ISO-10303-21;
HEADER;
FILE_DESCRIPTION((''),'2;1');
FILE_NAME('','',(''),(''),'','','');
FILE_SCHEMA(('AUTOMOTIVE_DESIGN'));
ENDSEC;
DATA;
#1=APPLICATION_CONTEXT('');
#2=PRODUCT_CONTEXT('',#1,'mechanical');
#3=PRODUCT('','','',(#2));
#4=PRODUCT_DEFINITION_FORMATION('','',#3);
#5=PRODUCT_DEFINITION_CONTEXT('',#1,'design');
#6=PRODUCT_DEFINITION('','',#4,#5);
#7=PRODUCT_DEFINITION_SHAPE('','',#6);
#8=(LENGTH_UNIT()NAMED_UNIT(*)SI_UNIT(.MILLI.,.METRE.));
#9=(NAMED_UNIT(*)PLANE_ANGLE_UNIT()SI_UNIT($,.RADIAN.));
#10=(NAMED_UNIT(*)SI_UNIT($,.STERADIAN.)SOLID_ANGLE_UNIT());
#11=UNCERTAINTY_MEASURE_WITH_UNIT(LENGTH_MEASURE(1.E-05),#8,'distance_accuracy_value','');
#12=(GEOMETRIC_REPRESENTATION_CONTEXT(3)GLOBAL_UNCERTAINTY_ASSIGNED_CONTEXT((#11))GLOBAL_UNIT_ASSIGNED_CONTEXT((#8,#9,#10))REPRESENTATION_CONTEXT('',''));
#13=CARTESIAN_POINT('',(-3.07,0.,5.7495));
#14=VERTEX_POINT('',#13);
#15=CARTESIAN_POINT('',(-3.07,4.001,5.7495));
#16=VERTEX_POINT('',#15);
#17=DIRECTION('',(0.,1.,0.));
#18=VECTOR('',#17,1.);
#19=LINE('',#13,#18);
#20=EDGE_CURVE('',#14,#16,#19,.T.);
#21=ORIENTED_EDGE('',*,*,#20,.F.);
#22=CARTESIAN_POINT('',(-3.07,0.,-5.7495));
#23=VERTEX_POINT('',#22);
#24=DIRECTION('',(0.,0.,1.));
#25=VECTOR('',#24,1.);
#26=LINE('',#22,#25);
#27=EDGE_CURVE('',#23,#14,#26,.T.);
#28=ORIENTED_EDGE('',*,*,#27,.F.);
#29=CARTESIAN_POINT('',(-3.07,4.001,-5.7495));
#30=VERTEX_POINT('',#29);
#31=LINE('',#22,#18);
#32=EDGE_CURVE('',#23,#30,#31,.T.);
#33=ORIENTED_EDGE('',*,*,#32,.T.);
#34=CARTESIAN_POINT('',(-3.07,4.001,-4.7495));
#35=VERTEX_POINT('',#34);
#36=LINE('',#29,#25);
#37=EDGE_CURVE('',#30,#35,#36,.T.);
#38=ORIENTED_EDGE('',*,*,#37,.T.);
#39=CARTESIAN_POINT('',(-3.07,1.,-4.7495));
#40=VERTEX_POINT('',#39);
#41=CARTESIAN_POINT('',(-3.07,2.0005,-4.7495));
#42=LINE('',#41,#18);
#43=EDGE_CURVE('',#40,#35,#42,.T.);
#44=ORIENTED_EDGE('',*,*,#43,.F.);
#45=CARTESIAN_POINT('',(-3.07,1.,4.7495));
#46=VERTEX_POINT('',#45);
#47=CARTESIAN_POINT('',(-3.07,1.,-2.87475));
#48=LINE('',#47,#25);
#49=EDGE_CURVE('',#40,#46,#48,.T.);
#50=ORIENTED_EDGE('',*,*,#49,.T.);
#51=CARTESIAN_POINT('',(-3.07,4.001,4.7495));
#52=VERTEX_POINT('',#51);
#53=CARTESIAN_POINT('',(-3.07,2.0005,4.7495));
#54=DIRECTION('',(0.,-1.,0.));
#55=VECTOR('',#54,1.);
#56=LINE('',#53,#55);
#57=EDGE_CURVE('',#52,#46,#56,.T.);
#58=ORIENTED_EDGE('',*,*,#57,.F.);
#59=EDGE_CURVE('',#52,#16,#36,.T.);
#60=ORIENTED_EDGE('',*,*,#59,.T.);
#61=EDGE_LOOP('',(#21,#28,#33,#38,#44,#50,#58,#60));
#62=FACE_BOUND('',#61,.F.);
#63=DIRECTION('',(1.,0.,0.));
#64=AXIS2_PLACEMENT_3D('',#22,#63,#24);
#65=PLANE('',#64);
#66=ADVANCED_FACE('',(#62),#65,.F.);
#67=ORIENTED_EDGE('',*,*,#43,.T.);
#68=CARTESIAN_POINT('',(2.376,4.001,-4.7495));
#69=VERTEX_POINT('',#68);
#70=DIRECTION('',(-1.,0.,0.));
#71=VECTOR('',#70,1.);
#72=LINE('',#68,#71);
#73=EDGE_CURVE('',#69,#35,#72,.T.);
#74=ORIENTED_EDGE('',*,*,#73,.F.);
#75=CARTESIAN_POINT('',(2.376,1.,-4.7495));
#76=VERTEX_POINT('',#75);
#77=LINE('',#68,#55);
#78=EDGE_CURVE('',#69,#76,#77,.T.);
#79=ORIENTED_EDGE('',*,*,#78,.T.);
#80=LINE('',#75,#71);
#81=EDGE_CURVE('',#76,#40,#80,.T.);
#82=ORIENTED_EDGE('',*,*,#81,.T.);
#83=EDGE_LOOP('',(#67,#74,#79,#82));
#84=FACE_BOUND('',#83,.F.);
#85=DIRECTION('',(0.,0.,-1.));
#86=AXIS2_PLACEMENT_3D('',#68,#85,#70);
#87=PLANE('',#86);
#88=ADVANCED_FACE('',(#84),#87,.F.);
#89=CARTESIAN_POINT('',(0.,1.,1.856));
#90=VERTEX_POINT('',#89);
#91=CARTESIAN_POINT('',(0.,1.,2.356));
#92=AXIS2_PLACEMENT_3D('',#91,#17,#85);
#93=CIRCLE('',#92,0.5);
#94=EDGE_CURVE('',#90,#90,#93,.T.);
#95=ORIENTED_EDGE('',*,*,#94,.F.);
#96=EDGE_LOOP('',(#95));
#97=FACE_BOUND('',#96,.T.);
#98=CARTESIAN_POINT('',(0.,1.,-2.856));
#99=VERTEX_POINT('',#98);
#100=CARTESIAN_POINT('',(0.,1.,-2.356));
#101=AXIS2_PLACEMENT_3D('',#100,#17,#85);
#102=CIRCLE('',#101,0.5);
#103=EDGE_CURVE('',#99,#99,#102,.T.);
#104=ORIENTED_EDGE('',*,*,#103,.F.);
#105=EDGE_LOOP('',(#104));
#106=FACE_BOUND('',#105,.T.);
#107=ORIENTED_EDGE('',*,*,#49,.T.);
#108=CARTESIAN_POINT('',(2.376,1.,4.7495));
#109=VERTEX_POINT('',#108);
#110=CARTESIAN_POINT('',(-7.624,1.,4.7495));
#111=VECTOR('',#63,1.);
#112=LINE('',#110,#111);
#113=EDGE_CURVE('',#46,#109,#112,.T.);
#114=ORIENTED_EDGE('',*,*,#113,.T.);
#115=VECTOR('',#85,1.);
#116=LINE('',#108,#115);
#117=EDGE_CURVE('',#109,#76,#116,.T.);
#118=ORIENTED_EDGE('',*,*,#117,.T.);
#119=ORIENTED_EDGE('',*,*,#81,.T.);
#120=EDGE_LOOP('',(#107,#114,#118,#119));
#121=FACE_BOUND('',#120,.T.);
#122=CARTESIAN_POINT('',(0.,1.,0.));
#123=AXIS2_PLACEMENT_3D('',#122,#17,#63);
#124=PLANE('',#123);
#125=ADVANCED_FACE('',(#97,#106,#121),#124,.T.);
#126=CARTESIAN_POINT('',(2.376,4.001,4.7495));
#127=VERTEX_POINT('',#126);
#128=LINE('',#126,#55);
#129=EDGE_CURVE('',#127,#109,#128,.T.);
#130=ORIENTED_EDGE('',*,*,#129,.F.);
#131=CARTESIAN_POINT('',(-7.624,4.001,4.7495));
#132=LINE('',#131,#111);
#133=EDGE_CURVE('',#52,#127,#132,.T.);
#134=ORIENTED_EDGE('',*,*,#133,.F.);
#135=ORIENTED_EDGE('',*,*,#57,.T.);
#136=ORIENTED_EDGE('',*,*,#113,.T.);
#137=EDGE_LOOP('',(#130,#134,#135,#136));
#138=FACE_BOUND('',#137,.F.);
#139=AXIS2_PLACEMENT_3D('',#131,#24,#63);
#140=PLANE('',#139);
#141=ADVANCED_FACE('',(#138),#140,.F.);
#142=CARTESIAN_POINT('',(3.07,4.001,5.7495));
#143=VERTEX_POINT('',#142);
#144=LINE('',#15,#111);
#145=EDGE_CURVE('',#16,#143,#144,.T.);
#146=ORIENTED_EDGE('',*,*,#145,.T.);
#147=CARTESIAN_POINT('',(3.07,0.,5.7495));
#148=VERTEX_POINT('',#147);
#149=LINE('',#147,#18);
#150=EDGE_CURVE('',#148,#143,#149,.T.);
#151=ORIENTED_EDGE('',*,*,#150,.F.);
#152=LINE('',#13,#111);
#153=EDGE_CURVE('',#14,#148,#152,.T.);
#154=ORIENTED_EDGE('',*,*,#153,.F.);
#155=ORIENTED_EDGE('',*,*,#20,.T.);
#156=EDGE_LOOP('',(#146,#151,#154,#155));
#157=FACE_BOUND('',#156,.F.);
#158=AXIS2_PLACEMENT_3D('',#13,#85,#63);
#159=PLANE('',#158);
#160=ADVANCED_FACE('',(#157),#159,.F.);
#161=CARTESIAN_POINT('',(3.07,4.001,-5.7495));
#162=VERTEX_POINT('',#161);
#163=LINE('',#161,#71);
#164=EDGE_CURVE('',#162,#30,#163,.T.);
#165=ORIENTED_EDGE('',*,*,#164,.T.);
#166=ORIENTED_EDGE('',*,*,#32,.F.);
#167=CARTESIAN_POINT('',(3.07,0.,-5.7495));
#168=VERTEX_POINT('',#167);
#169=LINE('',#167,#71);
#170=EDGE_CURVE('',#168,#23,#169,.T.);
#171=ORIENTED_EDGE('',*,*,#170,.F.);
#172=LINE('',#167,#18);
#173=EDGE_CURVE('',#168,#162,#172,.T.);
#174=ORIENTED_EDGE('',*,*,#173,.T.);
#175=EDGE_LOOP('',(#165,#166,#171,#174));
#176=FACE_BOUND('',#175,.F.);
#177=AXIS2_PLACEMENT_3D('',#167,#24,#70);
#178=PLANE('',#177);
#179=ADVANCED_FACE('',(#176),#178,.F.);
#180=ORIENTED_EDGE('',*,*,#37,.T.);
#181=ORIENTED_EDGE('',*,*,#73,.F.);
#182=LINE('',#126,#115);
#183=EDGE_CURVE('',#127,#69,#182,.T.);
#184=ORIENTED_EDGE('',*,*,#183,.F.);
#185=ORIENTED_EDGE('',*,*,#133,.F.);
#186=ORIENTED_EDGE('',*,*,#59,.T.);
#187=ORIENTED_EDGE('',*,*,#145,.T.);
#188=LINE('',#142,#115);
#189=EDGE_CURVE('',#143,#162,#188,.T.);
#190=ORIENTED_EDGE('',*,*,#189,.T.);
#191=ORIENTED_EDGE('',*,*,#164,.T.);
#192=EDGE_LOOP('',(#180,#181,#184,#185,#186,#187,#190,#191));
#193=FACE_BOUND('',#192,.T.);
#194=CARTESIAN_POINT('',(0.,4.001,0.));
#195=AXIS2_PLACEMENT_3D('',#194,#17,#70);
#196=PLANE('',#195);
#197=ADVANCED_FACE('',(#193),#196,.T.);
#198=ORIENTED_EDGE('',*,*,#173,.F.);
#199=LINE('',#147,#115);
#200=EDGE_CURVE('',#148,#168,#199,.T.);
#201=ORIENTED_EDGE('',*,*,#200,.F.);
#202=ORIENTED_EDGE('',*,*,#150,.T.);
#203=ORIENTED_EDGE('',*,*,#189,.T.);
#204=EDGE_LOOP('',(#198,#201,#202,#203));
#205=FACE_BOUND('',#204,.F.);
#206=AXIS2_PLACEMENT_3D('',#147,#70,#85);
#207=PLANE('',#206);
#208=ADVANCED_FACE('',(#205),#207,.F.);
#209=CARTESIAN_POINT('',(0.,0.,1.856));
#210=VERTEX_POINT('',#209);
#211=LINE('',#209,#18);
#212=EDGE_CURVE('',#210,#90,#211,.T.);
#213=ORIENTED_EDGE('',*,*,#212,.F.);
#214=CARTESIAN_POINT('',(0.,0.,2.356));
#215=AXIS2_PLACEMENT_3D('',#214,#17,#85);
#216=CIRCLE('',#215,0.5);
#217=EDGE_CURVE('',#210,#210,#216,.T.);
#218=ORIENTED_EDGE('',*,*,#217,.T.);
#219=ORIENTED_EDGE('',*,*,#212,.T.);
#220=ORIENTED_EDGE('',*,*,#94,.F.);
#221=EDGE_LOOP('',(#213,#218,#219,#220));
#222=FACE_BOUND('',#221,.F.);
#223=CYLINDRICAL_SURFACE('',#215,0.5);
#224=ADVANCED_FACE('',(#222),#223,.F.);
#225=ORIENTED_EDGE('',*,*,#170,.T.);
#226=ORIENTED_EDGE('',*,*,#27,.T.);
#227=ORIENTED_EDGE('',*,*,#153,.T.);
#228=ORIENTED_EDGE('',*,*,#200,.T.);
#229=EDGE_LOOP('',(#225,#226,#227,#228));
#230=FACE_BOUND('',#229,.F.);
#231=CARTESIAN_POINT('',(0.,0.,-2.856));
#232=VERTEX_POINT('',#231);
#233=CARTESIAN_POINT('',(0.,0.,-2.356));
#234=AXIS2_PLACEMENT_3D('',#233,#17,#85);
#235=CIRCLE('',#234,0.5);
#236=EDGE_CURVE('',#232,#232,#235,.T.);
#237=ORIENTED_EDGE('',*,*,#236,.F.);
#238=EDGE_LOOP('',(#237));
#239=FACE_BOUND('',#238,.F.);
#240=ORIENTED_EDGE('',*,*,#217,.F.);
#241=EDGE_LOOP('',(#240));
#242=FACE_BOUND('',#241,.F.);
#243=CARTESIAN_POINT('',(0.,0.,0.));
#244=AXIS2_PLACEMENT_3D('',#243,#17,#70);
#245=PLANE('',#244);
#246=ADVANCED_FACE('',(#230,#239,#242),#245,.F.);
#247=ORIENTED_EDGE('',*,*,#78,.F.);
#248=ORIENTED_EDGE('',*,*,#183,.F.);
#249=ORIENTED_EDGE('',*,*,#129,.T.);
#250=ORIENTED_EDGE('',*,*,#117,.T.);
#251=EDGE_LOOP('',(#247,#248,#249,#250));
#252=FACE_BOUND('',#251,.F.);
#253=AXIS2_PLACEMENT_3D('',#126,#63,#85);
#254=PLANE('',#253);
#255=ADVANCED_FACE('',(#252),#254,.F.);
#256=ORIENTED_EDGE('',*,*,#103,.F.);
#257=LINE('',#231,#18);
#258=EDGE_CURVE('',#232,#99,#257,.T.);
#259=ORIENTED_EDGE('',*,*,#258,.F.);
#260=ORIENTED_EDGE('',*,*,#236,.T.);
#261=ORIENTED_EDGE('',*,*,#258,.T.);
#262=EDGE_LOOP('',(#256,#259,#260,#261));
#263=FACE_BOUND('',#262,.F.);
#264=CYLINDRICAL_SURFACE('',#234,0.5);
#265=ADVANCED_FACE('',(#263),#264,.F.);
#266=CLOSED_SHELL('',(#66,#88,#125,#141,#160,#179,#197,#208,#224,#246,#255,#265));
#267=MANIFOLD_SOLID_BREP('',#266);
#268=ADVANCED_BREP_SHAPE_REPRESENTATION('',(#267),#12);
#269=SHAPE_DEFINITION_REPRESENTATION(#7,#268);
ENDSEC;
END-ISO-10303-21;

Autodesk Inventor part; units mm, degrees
ref_plane "YZ Plane" through (0, 0, 0) normal (1, 0, 0) x (0, 1, 0)
ref_plane "XZ Plane" through (0, 0, 0) normal (0, 1, 0) x (-1, 0, 0)
ref_plane "XY Plane" through (0, 0, 0) normal (0, 0, 1) x (1, 0, 0)
sketch "Sketch1" plane through (0, 0, 0) normal (0, 1, 0) x (-1, 0, 0)
  line L0 (3.07, 5.7495) -> (-3.07, 5.7495)
  line L1 (-3.07, 5.7495) -> (-3.07, -5.7495)
  line L2 (-3.07, -5.7495) -> (3.07, -5.7495)
  line L3 (3.07, -5.7495) -> (3.07, 5.7495)
  line L4 (3.07, 0) -> (-3.07, 0) construction
  line L5 (0, 5.7495) -> (0, -5.7495) construction
  point P0 (0, 0)
  point P1 (0, 0)
  point P2 (0, 0)
  point P3 (0, 0)
  dimension "d0" = 6.14
  dimension "d1" = 11.499
extrude "Extrusion1" add sketch "Sketch1" along normal blind 4.001
sketch "Sketch2" plane through (0, 4.001, 0) normal (0, 1, 0) x (1, 0, 0)
  line L0 (-7.624, -4.7495) -> (2.376, -4.7495)
  line L1 (2.376, -4.7495) -> (2.376, 4.7495)
  line L2 (2.376, 4.7495) -> (-7.624, 4.7495)
  line L3 (-7.624, 4.7495) -> (-7.624, -4.7495)
  line L4 (-5, 0) -> (5, 0) construction
  line L5 (0, -4.7495) -> (0, 4.7495) construction
  point P0 (0, 0)
  point P1 (0, 0)
  point P2 (0, 0)
  dimension "d4" = 9.499
  dimension "d5" = 10
extrude "Extrusion2" cut sketch "Sketch2" against normal blind 3.001
sketch "Sketch3" plane through (0, 0, 0) normal (0, -1, 0) x (1, 0, 0)
  circle A0 centre (0, -2.356) radius 0.5
  line L0 (-3.07, 4.7495) -> (-3.07, -4.7495) construction
  line L1 (-3.07, 0) -> (3.07, 0) construction
  line L2 (3.07, 5.7495) -> (3.07, -5.7495) construction
  circle A1 centre (0, 2.356) radius 0.5
  point P0 (0, 0)
  dimension "d8" = 1
hole "Hole1" at (0, 0, -2.356) at (0, 0, 2.356) direction (0, 1, 0) diameter 1 end through all
properties part number "LDR_Shield"
